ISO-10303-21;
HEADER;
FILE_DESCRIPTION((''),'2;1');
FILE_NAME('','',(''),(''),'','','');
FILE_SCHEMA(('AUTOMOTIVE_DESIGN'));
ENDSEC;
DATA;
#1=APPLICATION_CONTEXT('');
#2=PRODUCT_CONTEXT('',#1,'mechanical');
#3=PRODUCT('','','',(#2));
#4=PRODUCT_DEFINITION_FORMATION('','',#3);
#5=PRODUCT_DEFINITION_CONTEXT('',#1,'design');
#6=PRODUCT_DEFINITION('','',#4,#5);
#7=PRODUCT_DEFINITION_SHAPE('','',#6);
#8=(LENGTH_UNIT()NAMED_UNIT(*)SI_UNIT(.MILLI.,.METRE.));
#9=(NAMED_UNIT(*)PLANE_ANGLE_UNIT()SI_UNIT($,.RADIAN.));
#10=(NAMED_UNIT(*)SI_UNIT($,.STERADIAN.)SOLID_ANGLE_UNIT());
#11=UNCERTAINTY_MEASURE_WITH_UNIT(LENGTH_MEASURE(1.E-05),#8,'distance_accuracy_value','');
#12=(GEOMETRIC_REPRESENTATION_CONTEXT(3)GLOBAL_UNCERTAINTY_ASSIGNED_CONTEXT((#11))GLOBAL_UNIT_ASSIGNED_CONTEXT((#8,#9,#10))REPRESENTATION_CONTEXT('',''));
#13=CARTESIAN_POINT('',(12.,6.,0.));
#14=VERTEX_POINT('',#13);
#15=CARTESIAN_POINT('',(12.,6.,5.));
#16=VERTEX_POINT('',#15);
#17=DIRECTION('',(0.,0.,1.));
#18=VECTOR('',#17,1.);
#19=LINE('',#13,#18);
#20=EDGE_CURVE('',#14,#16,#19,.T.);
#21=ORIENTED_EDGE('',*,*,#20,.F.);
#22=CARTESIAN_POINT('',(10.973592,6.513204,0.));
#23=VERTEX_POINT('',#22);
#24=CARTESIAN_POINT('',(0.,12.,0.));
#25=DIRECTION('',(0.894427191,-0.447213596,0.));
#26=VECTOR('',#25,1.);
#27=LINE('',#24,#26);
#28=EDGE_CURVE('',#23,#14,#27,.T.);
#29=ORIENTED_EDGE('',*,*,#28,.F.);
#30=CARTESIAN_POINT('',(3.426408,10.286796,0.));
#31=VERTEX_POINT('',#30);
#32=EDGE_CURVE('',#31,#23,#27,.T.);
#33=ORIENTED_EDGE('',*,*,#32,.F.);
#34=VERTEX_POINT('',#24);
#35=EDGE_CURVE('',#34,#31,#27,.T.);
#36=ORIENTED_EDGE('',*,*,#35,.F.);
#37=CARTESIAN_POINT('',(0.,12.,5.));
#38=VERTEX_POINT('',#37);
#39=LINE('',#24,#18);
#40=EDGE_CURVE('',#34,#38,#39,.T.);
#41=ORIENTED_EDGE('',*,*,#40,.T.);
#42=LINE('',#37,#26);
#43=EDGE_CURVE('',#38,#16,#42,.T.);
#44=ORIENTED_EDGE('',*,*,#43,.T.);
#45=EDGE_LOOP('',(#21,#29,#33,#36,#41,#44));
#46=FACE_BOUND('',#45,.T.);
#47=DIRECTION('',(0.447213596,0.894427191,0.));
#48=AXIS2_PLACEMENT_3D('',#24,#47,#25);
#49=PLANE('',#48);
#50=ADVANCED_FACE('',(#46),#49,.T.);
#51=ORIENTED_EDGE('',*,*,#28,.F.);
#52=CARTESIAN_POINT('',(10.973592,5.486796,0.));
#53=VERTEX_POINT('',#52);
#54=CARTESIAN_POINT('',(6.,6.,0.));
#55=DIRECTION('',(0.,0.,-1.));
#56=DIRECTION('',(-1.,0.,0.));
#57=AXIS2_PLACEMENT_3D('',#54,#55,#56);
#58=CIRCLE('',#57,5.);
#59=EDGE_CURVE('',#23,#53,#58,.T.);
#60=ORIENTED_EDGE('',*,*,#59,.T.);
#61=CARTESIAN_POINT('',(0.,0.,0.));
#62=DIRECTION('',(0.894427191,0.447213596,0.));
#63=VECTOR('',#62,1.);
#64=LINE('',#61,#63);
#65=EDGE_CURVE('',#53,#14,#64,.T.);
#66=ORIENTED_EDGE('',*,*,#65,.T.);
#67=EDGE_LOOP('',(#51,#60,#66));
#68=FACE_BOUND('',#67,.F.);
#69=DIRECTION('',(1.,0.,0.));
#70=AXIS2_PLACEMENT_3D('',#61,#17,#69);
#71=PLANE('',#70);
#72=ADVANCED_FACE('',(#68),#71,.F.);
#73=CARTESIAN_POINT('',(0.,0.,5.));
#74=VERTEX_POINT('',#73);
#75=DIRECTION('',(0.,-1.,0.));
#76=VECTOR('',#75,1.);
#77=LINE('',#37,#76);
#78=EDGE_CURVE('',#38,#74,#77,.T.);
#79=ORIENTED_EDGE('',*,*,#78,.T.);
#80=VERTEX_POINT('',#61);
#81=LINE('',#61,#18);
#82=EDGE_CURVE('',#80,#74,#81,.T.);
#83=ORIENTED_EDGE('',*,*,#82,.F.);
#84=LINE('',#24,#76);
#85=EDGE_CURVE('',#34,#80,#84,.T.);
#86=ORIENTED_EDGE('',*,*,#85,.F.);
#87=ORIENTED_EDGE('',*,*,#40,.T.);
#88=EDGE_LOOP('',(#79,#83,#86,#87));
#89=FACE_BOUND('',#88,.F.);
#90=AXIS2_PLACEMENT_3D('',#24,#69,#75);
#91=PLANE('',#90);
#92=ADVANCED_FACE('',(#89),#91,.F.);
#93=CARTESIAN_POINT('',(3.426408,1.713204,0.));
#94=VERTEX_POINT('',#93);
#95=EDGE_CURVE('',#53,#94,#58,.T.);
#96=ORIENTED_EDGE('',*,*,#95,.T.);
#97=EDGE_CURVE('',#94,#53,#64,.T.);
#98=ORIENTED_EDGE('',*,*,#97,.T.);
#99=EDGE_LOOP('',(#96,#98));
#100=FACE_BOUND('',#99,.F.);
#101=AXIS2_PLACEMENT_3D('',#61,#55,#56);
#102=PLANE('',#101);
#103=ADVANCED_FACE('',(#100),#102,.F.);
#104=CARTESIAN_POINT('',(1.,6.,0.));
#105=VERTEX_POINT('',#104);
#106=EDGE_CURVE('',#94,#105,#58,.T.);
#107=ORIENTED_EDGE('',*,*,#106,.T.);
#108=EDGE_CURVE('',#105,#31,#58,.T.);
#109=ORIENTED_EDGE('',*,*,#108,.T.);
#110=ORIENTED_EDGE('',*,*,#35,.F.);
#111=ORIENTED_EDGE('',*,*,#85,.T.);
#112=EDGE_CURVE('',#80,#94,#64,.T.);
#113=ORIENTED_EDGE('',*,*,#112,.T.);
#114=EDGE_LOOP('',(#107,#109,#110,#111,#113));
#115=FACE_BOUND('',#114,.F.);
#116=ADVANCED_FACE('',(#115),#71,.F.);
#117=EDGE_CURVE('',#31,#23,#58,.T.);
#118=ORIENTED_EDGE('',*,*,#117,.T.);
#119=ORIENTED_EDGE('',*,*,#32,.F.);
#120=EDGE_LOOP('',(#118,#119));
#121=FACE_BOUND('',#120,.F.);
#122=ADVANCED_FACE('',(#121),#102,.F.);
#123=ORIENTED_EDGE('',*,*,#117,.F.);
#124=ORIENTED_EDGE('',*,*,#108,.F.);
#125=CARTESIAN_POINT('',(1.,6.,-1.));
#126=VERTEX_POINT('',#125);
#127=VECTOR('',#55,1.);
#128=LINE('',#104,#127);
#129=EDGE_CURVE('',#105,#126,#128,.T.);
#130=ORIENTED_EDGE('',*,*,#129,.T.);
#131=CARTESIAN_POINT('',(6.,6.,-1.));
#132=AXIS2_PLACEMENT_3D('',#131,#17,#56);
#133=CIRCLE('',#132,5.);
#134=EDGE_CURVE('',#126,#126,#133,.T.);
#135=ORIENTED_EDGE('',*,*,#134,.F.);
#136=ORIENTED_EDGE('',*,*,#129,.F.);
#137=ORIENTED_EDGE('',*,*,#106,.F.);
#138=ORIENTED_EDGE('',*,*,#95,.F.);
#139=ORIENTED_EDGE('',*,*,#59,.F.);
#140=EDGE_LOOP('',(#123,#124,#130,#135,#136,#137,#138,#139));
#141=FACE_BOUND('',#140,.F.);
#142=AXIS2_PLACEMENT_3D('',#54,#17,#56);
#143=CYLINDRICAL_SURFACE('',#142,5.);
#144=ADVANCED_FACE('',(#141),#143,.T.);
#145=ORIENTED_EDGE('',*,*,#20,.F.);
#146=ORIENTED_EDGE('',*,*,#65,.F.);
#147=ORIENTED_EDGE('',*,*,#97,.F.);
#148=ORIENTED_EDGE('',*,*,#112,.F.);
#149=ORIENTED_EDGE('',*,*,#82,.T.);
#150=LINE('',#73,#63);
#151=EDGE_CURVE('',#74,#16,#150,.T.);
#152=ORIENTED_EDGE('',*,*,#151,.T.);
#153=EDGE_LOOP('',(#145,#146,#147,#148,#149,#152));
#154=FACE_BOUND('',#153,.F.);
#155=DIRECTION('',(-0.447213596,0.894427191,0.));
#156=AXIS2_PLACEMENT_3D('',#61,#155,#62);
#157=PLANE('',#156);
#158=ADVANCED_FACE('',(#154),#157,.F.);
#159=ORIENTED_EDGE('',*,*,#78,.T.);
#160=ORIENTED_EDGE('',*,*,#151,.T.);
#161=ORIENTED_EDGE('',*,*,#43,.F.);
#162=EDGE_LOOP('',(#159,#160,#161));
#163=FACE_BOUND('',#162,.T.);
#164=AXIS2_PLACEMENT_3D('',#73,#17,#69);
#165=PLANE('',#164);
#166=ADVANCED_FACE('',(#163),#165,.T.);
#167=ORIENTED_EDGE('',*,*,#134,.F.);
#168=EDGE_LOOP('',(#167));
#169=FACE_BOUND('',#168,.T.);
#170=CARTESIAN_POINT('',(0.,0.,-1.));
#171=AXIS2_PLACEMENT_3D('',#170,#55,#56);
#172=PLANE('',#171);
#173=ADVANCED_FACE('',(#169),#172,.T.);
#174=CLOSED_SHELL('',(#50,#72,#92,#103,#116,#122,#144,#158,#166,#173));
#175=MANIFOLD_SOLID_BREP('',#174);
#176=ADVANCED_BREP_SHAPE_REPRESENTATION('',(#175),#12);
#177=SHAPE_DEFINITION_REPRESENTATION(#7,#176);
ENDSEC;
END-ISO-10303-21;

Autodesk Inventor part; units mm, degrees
ref_plane "YZ Plane" through (0, 0, 0) normal (1, 0, 0) x (0, 1, 0)
ref_plane "XZ Plane" through (0, 0, 0) normal (0, 1, 0) x (-1, 0, 0)
ref_plane "XY Plane" through (0, 0, 0) normal (0, 0, 1) x (1, 0, 0)
sketch "Sketch3" plane through (0, 0, 0) normal (0, 0, 1) x (1, 0, 0)
  line L0 (0, 12) -> (0, 0)
  line L1 (0, 0) -> (12, 6)
  line L2 (0, 12) -> (12, 6)
extrude "Extrusion4" add sketch "Sketch3" along normal blind 5
sketch "Sketch4" plane through (0, 0, 0) normal (0, 0, -1) x (-1, 0, 0)
  line L0 (0, 0) -> (-12, 6) projected
  circle A0 centre (-6, 6) radius 5
  dimension "d16" = 10
extrude "Extrusion5" add sketch "Sketch4" along normal blind 1
properties part number "OkBtn"
